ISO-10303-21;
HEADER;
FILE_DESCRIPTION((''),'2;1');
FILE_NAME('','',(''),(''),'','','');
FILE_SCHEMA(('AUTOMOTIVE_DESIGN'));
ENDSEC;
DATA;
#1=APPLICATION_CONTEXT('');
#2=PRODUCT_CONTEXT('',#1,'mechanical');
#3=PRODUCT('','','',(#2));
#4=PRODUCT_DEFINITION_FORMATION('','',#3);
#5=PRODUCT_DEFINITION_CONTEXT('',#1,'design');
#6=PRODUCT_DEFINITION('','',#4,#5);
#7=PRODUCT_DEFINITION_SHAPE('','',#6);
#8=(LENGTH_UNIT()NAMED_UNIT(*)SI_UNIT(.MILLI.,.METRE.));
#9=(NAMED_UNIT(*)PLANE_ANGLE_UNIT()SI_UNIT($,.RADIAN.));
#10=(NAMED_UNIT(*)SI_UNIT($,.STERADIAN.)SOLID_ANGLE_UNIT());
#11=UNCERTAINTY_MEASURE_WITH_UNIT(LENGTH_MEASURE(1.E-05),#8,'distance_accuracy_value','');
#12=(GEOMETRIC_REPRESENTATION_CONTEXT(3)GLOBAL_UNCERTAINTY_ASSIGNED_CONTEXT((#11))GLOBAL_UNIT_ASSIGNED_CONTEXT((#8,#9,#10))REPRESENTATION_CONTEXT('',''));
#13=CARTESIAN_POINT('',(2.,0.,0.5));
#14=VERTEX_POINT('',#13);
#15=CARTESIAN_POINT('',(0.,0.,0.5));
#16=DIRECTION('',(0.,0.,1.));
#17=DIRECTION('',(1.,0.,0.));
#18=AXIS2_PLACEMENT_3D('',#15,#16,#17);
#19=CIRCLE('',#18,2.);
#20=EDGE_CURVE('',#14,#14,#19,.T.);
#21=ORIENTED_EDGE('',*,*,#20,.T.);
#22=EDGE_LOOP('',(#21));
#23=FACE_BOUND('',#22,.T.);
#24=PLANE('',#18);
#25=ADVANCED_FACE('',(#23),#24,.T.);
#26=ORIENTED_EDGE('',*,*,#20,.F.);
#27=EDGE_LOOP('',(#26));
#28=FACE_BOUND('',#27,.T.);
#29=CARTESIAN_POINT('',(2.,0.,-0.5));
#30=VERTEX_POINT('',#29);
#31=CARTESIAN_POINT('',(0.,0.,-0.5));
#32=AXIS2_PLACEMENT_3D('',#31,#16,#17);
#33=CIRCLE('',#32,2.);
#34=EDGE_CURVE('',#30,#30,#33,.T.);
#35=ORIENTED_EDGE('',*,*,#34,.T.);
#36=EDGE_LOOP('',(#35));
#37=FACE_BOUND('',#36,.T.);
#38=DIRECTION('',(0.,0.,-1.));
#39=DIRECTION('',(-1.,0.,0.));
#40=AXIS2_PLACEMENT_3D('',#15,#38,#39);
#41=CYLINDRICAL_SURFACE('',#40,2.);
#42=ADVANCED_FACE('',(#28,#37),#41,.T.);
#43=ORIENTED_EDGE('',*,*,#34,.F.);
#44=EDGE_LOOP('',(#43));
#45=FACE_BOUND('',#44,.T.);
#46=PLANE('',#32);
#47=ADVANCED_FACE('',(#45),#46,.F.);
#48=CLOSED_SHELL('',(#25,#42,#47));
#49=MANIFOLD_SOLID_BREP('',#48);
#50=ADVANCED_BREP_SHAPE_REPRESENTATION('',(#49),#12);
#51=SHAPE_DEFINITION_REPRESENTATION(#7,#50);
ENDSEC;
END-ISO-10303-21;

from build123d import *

# Parameters (mm, degrees)
SKETCH1_R           = 2
BOSS_EXTRUDE1_DEPTH = 0.5


with BuildPart() as part:
    # Sketch1 → Boss-Extrude1 (new body, symmetric)
    with BuildSketch(Plane.XY):
        Circle(SKETCH1_R)
    extrude(amount=BOSS_EXTRUDE1_DEPTH, both=True)


solid = part.part
